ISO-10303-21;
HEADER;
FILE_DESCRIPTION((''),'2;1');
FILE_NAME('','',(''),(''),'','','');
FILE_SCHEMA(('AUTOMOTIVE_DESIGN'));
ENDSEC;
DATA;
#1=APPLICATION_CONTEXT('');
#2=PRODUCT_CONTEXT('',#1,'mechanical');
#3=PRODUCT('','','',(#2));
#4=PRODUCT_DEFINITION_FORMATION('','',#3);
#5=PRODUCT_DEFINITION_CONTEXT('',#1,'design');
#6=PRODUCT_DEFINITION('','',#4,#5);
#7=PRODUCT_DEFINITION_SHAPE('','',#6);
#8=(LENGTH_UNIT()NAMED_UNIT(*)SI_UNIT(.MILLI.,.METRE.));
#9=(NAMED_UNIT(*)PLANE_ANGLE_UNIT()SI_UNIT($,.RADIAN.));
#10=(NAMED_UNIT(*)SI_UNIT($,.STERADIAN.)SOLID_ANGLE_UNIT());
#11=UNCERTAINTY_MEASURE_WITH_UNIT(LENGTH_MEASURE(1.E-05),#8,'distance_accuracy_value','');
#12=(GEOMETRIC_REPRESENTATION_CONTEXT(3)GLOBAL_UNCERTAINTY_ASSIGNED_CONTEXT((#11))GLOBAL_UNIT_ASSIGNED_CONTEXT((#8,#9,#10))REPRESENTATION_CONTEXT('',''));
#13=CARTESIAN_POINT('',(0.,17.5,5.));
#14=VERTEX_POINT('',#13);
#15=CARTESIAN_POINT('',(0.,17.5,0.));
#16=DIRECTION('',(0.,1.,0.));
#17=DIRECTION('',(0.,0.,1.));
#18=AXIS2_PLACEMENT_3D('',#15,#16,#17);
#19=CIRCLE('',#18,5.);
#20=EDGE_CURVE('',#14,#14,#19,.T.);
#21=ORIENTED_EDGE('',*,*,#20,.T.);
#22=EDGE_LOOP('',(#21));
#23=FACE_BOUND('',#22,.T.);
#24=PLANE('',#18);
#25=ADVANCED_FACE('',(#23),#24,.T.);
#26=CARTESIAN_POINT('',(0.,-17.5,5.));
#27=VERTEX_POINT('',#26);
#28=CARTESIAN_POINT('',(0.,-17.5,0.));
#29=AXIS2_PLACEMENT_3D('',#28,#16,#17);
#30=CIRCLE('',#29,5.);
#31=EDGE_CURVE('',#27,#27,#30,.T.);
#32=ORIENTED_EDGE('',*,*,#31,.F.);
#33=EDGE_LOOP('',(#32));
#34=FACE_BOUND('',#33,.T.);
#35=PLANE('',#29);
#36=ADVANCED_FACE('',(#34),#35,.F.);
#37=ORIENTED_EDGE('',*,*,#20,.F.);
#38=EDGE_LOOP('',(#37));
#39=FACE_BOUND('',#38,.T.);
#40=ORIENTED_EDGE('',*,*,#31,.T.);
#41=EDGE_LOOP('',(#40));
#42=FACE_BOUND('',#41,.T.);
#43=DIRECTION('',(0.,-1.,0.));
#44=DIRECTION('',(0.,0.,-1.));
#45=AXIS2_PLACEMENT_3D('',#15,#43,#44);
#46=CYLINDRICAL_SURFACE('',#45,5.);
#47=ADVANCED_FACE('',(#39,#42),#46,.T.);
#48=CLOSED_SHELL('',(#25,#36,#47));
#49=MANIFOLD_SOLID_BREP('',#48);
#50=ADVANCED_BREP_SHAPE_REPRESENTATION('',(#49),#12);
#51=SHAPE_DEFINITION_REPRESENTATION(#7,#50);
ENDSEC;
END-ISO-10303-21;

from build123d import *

# Parameters (mm, degrees)
SKETCH1_R           = 5
BOSS_EXTRUDE1_DEPTH = 17.5


with BuildPart() as part:
    # Sketch1 → Boss-Extrude1 (new body, symmetric)
    with BuildSketch(Plane(origin=(0, 0, 0), x_dir=(1, 0, 0), z_dir=(0, 1, 0))):
        Circle(SKETCH1_R)
    extrude(amount=BOSS_EXTRUDE1_DEPTH, both=True)


solid = part.part
